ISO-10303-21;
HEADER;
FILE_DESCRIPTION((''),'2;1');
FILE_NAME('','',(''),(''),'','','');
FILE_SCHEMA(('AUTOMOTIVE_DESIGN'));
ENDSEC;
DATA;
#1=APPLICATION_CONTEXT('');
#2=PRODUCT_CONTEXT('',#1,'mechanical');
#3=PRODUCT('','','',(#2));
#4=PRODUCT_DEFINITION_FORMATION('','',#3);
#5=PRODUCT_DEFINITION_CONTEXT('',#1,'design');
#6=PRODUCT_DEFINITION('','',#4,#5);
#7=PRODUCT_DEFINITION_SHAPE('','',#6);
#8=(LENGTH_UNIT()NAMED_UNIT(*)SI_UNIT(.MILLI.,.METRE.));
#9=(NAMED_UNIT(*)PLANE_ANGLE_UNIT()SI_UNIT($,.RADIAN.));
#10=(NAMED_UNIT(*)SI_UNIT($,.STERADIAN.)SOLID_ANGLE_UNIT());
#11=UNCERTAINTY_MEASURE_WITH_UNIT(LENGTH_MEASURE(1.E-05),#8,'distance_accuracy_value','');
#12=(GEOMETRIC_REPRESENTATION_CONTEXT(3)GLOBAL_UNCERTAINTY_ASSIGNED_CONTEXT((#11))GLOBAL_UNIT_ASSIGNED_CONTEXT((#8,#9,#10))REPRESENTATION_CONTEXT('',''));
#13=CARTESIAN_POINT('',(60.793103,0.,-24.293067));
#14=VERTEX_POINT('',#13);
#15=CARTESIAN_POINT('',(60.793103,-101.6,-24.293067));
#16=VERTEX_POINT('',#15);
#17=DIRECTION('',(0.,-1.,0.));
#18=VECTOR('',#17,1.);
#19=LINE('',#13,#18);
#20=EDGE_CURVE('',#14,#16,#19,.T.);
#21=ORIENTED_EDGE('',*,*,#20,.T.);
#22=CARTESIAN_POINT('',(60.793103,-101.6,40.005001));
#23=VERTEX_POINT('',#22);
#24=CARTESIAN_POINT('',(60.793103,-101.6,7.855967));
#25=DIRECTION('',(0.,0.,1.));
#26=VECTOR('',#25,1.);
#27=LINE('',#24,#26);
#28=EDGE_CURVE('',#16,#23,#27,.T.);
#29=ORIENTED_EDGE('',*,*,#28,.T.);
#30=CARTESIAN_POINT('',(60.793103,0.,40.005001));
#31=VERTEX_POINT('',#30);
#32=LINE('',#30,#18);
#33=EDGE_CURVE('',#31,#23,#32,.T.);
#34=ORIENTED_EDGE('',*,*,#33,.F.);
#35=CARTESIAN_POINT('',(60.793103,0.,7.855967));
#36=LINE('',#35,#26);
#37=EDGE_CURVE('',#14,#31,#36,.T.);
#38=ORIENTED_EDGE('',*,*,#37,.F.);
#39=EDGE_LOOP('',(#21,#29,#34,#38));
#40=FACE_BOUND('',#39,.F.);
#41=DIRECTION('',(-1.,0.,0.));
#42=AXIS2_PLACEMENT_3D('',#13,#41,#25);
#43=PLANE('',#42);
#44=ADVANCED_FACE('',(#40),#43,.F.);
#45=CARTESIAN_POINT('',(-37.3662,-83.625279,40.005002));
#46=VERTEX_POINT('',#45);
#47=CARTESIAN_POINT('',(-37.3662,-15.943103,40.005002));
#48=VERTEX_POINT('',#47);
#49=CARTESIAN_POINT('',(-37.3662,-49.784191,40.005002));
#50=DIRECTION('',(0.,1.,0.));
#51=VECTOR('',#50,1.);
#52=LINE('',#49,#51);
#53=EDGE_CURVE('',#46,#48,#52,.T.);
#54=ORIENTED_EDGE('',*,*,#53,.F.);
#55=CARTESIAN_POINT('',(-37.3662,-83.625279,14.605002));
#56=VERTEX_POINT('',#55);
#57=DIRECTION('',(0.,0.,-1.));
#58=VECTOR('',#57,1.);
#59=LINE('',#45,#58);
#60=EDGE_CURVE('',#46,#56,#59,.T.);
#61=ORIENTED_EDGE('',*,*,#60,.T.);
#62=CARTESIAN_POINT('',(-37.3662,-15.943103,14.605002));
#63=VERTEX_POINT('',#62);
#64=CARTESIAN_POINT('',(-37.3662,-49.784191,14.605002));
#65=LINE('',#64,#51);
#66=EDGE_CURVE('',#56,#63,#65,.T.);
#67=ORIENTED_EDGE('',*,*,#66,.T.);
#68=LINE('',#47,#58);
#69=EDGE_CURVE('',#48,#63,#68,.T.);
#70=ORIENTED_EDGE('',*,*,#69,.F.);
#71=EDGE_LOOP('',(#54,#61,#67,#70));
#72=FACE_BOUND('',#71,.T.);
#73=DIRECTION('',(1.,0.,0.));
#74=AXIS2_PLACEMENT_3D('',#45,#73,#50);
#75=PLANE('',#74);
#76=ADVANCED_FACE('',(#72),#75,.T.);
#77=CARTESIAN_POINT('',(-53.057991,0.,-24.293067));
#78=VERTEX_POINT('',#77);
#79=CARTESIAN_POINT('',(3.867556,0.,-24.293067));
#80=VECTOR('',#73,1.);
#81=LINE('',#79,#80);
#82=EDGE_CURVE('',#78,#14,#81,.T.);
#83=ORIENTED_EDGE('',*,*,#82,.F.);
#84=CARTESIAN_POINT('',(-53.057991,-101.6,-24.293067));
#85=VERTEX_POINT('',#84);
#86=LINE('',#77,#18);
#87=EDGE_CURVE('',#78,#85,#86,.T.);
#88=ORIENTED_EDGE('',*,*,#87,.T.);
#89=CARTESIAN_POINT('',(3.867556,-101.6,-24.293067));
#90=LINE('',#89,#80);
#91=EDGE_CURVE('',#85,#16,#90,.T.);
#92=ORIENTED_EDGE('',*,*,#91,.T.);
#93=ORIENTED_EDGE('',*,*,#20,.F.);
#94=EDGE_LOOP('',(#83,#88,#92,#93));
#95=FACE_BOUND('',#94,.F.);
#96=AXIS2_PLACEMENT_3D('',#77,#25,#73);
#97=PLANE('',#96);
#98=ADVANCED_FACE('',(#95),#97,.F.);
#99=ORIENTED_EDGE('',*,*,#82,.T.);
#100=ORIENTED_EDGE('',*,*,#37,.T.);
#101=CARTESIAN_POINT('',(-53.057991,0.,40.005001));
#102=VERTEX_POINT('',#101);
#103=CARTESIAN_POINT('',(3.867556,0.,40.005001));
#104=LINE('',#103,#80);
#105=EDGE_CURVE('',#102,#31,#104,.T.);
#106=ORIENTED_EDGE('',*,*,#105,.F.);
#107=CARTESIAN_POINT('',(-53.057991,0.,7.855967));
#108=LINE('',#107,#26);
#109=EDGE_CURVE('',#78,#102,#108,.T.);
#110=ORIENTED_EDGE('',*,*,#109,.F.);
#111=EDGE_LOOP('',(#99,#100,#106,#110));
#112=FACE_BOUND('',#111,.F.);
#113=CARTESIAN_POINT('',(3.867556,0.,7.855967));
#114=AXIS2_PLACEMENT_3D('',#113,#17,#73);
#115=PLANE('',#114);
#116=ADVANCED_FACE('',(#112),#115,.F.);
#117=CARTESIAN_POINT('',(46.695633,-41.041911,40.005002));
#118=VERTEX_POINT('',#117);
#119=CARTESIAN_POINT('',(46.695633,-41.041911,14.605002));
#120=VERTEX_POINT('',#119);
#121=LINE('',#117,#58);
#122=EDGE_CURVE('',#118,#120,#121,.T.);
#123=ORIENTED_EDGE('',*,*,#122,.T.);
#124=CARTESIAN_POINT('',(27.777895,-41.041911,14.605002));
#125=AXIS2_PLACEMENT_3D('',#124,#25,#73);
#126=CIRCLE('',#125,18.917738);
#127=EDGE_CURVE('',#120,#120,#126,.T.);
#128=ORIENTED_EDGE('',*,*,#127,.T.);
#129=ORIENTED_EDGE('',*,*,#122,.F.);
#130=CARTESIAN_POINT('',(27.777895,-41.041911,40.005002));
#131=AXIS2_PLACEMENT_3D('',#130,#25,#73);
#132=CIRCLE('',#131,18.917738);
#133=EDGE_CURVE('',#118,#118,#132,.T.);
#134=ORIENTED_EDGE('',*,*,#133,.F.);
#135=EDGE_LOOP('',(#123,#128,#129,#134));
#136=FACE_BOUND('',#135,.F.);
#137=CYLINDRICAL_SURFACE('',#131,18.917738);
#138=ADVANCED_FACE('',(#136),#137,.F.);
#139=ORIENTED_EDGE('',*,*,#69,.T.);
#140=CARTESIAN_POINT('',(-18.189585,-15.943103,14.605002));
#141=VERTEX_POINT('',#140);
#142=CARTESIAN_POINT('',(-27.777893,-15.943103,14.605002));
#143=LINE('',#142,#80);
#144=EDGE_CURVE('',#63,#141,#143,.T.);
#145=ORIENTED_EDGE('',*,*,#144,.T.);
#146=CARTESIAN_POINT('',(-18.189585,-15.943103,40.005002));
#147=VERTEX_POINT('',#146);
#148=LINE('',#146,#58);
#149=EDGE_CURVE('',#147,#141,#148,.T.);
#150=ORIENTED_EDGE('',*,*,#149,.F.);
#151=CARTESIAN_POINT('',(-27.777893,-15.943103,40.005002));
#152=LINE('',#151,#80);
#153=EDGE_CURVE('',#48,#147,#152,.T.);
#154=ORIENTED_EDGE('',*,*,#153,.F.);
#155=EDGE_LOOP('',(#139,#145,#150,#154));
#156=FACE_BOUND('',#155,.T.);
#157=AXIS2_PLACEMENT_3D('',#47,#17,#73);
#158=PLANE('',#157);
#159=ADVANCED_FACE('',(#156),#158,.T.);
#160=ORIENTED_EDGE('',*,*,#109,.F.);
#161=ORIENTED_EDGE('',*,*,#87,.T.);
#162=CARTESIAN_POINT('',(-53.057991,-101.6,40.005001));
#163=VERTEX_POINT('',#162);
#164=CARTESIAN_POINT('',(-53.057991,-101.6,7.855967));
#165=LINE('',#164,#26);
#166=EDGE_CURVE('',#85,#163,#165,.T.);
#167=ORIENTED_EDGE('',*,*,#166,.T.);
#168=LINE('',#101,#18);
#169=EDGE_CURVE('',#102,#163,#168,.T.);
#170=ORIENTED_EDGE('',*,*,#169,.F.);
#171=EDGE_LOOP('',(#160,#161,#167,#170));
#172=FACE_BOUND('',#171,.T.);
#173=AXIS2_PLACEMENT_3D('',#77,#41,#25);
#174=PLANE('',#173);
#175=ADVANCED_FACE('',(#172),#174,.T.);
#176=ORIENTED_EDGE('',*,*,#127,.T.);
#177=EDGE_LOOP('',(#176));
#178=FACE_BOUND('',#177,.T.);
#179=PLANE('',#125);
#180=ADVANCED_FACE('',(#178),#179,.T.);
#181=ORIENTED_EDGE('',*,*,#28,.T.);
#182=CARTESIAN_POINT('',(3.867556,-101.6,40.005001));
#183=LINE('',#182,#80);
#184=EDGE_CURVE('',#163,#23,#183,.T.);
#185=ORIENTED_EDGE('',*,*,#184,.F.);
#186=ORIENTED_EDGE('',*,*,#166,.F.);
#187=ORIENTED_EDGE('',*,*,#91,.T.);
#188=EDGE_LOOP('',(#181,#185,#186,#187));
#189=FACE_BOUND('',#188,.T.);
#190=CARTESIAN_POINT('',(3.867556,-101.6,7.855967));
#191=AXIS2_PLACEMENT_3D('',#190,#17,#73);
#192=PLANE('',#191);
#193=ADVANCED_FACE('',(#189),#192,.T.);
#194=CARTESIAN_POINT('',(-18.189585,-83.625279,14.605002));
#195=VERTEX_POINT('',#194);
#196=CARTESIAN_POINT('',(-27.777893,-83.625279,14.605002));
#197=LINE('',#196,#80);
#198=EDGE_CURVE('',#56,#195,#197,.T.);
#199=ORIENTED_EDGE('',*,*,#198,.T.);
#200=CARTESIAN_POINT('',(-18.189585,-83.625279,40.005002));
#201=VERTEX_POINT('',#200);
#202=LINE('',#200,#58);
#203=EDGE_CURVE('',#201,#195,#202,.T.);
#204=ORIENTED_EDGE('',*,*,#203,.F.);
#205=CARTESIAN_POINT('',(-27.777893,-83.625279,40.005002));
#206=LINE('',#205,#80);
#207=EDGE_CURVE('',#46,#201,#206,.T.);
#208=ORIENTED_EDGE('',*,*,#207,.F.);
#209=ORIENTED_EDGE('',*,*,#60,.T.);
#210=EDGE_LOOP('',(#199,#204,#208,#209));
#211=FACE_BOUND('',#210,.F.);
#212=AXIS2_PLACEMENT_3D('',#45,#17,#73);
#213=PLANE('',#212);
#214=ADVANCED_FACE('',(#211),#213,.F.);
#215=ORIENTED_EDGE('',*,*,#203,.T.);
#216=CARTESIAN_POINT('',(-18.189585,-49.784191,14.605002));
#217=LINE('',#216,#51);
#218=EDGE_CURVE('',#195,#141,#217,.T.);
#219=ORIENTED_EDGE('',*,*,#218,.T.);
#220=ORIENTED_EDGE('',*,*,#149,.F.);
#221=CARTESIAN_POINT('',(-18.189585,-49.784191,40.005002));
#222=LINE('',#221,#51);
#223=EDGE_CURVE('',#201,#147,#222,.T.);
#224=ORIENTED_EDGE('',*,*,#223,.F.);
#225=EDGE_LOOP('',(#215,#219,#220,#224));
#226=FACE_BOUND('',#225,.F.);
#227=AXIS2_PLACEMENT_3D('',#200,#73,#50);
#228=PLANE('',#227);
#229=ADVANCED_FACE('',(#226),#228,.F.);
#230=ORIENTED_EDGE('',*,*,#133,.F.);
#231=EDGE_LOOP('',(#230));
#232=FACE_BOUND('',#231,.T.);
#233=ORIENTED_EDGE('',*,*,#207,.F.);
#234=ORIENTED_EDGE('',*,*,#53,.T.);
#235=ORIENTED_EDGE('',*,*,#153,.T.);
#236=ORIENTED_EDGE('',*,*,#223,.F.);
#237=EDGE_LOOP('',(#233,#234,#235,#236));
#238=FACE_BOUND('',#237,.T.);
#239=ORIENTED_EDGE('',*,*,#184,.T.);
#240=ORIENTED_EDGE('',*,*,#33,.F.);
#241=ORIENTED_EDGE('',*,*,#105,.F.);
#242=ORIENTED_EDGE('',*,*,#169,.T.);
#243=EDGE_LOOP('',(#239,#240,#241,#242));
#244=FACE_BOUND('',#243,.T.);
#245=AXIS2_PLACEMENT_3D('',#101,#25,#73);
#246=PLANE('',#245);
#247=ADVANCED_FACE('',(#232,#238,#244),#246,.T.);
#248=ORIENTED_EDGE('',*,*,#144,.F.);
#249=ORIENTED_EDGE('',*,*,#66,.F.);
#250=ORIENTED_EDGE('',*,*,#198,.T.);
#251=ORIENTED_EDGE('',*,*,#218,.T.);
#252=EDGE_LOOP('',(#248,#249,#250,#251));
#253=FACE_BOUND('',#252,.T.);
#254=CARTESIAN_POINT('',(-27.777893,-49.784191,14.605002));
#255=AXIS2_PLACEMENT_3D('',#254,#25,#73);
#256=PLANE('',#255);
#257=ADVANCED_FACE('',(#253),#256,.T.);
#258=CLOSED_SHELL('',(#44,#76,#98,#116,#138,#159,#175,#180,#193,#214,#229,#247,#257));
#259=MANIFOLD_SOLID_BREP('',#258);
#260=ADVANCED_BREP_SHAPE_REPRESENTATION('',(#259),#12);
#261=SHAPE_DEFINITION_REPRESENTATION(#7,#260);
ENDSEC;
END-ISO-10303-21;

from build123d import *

# Parameters (mm, degrees)
F0_W     = 113.851093
F0_H     = 64.298069
F1_DEPTH = 101.6
F2_W     = 19.176615
F2_H     = 67.682176
F2_R     = 18.917738
F3_DEPTH = 25.4


with BuildPart() as f1:
    # F0 (on Front) → F1 (new body)
    with BuildSketch(Plane.XZ):
        with Locations((3.867556, 7.855967)):
            Rectangle(F0_W, F0_H)
    extrude(amount=F1_DEPTH)

    # F2 (on face) → F3 (cut)
    with BuildSketch(Plane.XY.offset(40.005002)):
        with Locations((-27.777893, -49.784191)):
            Rectangle(F2_W, F2_H)
        with Locations((27.777895, -41.041911)):
            Circle(F2_R)
    extrude(amount=-F3_DEPTH, mode=Mode.SUBTRACT)


solid = f1.part
